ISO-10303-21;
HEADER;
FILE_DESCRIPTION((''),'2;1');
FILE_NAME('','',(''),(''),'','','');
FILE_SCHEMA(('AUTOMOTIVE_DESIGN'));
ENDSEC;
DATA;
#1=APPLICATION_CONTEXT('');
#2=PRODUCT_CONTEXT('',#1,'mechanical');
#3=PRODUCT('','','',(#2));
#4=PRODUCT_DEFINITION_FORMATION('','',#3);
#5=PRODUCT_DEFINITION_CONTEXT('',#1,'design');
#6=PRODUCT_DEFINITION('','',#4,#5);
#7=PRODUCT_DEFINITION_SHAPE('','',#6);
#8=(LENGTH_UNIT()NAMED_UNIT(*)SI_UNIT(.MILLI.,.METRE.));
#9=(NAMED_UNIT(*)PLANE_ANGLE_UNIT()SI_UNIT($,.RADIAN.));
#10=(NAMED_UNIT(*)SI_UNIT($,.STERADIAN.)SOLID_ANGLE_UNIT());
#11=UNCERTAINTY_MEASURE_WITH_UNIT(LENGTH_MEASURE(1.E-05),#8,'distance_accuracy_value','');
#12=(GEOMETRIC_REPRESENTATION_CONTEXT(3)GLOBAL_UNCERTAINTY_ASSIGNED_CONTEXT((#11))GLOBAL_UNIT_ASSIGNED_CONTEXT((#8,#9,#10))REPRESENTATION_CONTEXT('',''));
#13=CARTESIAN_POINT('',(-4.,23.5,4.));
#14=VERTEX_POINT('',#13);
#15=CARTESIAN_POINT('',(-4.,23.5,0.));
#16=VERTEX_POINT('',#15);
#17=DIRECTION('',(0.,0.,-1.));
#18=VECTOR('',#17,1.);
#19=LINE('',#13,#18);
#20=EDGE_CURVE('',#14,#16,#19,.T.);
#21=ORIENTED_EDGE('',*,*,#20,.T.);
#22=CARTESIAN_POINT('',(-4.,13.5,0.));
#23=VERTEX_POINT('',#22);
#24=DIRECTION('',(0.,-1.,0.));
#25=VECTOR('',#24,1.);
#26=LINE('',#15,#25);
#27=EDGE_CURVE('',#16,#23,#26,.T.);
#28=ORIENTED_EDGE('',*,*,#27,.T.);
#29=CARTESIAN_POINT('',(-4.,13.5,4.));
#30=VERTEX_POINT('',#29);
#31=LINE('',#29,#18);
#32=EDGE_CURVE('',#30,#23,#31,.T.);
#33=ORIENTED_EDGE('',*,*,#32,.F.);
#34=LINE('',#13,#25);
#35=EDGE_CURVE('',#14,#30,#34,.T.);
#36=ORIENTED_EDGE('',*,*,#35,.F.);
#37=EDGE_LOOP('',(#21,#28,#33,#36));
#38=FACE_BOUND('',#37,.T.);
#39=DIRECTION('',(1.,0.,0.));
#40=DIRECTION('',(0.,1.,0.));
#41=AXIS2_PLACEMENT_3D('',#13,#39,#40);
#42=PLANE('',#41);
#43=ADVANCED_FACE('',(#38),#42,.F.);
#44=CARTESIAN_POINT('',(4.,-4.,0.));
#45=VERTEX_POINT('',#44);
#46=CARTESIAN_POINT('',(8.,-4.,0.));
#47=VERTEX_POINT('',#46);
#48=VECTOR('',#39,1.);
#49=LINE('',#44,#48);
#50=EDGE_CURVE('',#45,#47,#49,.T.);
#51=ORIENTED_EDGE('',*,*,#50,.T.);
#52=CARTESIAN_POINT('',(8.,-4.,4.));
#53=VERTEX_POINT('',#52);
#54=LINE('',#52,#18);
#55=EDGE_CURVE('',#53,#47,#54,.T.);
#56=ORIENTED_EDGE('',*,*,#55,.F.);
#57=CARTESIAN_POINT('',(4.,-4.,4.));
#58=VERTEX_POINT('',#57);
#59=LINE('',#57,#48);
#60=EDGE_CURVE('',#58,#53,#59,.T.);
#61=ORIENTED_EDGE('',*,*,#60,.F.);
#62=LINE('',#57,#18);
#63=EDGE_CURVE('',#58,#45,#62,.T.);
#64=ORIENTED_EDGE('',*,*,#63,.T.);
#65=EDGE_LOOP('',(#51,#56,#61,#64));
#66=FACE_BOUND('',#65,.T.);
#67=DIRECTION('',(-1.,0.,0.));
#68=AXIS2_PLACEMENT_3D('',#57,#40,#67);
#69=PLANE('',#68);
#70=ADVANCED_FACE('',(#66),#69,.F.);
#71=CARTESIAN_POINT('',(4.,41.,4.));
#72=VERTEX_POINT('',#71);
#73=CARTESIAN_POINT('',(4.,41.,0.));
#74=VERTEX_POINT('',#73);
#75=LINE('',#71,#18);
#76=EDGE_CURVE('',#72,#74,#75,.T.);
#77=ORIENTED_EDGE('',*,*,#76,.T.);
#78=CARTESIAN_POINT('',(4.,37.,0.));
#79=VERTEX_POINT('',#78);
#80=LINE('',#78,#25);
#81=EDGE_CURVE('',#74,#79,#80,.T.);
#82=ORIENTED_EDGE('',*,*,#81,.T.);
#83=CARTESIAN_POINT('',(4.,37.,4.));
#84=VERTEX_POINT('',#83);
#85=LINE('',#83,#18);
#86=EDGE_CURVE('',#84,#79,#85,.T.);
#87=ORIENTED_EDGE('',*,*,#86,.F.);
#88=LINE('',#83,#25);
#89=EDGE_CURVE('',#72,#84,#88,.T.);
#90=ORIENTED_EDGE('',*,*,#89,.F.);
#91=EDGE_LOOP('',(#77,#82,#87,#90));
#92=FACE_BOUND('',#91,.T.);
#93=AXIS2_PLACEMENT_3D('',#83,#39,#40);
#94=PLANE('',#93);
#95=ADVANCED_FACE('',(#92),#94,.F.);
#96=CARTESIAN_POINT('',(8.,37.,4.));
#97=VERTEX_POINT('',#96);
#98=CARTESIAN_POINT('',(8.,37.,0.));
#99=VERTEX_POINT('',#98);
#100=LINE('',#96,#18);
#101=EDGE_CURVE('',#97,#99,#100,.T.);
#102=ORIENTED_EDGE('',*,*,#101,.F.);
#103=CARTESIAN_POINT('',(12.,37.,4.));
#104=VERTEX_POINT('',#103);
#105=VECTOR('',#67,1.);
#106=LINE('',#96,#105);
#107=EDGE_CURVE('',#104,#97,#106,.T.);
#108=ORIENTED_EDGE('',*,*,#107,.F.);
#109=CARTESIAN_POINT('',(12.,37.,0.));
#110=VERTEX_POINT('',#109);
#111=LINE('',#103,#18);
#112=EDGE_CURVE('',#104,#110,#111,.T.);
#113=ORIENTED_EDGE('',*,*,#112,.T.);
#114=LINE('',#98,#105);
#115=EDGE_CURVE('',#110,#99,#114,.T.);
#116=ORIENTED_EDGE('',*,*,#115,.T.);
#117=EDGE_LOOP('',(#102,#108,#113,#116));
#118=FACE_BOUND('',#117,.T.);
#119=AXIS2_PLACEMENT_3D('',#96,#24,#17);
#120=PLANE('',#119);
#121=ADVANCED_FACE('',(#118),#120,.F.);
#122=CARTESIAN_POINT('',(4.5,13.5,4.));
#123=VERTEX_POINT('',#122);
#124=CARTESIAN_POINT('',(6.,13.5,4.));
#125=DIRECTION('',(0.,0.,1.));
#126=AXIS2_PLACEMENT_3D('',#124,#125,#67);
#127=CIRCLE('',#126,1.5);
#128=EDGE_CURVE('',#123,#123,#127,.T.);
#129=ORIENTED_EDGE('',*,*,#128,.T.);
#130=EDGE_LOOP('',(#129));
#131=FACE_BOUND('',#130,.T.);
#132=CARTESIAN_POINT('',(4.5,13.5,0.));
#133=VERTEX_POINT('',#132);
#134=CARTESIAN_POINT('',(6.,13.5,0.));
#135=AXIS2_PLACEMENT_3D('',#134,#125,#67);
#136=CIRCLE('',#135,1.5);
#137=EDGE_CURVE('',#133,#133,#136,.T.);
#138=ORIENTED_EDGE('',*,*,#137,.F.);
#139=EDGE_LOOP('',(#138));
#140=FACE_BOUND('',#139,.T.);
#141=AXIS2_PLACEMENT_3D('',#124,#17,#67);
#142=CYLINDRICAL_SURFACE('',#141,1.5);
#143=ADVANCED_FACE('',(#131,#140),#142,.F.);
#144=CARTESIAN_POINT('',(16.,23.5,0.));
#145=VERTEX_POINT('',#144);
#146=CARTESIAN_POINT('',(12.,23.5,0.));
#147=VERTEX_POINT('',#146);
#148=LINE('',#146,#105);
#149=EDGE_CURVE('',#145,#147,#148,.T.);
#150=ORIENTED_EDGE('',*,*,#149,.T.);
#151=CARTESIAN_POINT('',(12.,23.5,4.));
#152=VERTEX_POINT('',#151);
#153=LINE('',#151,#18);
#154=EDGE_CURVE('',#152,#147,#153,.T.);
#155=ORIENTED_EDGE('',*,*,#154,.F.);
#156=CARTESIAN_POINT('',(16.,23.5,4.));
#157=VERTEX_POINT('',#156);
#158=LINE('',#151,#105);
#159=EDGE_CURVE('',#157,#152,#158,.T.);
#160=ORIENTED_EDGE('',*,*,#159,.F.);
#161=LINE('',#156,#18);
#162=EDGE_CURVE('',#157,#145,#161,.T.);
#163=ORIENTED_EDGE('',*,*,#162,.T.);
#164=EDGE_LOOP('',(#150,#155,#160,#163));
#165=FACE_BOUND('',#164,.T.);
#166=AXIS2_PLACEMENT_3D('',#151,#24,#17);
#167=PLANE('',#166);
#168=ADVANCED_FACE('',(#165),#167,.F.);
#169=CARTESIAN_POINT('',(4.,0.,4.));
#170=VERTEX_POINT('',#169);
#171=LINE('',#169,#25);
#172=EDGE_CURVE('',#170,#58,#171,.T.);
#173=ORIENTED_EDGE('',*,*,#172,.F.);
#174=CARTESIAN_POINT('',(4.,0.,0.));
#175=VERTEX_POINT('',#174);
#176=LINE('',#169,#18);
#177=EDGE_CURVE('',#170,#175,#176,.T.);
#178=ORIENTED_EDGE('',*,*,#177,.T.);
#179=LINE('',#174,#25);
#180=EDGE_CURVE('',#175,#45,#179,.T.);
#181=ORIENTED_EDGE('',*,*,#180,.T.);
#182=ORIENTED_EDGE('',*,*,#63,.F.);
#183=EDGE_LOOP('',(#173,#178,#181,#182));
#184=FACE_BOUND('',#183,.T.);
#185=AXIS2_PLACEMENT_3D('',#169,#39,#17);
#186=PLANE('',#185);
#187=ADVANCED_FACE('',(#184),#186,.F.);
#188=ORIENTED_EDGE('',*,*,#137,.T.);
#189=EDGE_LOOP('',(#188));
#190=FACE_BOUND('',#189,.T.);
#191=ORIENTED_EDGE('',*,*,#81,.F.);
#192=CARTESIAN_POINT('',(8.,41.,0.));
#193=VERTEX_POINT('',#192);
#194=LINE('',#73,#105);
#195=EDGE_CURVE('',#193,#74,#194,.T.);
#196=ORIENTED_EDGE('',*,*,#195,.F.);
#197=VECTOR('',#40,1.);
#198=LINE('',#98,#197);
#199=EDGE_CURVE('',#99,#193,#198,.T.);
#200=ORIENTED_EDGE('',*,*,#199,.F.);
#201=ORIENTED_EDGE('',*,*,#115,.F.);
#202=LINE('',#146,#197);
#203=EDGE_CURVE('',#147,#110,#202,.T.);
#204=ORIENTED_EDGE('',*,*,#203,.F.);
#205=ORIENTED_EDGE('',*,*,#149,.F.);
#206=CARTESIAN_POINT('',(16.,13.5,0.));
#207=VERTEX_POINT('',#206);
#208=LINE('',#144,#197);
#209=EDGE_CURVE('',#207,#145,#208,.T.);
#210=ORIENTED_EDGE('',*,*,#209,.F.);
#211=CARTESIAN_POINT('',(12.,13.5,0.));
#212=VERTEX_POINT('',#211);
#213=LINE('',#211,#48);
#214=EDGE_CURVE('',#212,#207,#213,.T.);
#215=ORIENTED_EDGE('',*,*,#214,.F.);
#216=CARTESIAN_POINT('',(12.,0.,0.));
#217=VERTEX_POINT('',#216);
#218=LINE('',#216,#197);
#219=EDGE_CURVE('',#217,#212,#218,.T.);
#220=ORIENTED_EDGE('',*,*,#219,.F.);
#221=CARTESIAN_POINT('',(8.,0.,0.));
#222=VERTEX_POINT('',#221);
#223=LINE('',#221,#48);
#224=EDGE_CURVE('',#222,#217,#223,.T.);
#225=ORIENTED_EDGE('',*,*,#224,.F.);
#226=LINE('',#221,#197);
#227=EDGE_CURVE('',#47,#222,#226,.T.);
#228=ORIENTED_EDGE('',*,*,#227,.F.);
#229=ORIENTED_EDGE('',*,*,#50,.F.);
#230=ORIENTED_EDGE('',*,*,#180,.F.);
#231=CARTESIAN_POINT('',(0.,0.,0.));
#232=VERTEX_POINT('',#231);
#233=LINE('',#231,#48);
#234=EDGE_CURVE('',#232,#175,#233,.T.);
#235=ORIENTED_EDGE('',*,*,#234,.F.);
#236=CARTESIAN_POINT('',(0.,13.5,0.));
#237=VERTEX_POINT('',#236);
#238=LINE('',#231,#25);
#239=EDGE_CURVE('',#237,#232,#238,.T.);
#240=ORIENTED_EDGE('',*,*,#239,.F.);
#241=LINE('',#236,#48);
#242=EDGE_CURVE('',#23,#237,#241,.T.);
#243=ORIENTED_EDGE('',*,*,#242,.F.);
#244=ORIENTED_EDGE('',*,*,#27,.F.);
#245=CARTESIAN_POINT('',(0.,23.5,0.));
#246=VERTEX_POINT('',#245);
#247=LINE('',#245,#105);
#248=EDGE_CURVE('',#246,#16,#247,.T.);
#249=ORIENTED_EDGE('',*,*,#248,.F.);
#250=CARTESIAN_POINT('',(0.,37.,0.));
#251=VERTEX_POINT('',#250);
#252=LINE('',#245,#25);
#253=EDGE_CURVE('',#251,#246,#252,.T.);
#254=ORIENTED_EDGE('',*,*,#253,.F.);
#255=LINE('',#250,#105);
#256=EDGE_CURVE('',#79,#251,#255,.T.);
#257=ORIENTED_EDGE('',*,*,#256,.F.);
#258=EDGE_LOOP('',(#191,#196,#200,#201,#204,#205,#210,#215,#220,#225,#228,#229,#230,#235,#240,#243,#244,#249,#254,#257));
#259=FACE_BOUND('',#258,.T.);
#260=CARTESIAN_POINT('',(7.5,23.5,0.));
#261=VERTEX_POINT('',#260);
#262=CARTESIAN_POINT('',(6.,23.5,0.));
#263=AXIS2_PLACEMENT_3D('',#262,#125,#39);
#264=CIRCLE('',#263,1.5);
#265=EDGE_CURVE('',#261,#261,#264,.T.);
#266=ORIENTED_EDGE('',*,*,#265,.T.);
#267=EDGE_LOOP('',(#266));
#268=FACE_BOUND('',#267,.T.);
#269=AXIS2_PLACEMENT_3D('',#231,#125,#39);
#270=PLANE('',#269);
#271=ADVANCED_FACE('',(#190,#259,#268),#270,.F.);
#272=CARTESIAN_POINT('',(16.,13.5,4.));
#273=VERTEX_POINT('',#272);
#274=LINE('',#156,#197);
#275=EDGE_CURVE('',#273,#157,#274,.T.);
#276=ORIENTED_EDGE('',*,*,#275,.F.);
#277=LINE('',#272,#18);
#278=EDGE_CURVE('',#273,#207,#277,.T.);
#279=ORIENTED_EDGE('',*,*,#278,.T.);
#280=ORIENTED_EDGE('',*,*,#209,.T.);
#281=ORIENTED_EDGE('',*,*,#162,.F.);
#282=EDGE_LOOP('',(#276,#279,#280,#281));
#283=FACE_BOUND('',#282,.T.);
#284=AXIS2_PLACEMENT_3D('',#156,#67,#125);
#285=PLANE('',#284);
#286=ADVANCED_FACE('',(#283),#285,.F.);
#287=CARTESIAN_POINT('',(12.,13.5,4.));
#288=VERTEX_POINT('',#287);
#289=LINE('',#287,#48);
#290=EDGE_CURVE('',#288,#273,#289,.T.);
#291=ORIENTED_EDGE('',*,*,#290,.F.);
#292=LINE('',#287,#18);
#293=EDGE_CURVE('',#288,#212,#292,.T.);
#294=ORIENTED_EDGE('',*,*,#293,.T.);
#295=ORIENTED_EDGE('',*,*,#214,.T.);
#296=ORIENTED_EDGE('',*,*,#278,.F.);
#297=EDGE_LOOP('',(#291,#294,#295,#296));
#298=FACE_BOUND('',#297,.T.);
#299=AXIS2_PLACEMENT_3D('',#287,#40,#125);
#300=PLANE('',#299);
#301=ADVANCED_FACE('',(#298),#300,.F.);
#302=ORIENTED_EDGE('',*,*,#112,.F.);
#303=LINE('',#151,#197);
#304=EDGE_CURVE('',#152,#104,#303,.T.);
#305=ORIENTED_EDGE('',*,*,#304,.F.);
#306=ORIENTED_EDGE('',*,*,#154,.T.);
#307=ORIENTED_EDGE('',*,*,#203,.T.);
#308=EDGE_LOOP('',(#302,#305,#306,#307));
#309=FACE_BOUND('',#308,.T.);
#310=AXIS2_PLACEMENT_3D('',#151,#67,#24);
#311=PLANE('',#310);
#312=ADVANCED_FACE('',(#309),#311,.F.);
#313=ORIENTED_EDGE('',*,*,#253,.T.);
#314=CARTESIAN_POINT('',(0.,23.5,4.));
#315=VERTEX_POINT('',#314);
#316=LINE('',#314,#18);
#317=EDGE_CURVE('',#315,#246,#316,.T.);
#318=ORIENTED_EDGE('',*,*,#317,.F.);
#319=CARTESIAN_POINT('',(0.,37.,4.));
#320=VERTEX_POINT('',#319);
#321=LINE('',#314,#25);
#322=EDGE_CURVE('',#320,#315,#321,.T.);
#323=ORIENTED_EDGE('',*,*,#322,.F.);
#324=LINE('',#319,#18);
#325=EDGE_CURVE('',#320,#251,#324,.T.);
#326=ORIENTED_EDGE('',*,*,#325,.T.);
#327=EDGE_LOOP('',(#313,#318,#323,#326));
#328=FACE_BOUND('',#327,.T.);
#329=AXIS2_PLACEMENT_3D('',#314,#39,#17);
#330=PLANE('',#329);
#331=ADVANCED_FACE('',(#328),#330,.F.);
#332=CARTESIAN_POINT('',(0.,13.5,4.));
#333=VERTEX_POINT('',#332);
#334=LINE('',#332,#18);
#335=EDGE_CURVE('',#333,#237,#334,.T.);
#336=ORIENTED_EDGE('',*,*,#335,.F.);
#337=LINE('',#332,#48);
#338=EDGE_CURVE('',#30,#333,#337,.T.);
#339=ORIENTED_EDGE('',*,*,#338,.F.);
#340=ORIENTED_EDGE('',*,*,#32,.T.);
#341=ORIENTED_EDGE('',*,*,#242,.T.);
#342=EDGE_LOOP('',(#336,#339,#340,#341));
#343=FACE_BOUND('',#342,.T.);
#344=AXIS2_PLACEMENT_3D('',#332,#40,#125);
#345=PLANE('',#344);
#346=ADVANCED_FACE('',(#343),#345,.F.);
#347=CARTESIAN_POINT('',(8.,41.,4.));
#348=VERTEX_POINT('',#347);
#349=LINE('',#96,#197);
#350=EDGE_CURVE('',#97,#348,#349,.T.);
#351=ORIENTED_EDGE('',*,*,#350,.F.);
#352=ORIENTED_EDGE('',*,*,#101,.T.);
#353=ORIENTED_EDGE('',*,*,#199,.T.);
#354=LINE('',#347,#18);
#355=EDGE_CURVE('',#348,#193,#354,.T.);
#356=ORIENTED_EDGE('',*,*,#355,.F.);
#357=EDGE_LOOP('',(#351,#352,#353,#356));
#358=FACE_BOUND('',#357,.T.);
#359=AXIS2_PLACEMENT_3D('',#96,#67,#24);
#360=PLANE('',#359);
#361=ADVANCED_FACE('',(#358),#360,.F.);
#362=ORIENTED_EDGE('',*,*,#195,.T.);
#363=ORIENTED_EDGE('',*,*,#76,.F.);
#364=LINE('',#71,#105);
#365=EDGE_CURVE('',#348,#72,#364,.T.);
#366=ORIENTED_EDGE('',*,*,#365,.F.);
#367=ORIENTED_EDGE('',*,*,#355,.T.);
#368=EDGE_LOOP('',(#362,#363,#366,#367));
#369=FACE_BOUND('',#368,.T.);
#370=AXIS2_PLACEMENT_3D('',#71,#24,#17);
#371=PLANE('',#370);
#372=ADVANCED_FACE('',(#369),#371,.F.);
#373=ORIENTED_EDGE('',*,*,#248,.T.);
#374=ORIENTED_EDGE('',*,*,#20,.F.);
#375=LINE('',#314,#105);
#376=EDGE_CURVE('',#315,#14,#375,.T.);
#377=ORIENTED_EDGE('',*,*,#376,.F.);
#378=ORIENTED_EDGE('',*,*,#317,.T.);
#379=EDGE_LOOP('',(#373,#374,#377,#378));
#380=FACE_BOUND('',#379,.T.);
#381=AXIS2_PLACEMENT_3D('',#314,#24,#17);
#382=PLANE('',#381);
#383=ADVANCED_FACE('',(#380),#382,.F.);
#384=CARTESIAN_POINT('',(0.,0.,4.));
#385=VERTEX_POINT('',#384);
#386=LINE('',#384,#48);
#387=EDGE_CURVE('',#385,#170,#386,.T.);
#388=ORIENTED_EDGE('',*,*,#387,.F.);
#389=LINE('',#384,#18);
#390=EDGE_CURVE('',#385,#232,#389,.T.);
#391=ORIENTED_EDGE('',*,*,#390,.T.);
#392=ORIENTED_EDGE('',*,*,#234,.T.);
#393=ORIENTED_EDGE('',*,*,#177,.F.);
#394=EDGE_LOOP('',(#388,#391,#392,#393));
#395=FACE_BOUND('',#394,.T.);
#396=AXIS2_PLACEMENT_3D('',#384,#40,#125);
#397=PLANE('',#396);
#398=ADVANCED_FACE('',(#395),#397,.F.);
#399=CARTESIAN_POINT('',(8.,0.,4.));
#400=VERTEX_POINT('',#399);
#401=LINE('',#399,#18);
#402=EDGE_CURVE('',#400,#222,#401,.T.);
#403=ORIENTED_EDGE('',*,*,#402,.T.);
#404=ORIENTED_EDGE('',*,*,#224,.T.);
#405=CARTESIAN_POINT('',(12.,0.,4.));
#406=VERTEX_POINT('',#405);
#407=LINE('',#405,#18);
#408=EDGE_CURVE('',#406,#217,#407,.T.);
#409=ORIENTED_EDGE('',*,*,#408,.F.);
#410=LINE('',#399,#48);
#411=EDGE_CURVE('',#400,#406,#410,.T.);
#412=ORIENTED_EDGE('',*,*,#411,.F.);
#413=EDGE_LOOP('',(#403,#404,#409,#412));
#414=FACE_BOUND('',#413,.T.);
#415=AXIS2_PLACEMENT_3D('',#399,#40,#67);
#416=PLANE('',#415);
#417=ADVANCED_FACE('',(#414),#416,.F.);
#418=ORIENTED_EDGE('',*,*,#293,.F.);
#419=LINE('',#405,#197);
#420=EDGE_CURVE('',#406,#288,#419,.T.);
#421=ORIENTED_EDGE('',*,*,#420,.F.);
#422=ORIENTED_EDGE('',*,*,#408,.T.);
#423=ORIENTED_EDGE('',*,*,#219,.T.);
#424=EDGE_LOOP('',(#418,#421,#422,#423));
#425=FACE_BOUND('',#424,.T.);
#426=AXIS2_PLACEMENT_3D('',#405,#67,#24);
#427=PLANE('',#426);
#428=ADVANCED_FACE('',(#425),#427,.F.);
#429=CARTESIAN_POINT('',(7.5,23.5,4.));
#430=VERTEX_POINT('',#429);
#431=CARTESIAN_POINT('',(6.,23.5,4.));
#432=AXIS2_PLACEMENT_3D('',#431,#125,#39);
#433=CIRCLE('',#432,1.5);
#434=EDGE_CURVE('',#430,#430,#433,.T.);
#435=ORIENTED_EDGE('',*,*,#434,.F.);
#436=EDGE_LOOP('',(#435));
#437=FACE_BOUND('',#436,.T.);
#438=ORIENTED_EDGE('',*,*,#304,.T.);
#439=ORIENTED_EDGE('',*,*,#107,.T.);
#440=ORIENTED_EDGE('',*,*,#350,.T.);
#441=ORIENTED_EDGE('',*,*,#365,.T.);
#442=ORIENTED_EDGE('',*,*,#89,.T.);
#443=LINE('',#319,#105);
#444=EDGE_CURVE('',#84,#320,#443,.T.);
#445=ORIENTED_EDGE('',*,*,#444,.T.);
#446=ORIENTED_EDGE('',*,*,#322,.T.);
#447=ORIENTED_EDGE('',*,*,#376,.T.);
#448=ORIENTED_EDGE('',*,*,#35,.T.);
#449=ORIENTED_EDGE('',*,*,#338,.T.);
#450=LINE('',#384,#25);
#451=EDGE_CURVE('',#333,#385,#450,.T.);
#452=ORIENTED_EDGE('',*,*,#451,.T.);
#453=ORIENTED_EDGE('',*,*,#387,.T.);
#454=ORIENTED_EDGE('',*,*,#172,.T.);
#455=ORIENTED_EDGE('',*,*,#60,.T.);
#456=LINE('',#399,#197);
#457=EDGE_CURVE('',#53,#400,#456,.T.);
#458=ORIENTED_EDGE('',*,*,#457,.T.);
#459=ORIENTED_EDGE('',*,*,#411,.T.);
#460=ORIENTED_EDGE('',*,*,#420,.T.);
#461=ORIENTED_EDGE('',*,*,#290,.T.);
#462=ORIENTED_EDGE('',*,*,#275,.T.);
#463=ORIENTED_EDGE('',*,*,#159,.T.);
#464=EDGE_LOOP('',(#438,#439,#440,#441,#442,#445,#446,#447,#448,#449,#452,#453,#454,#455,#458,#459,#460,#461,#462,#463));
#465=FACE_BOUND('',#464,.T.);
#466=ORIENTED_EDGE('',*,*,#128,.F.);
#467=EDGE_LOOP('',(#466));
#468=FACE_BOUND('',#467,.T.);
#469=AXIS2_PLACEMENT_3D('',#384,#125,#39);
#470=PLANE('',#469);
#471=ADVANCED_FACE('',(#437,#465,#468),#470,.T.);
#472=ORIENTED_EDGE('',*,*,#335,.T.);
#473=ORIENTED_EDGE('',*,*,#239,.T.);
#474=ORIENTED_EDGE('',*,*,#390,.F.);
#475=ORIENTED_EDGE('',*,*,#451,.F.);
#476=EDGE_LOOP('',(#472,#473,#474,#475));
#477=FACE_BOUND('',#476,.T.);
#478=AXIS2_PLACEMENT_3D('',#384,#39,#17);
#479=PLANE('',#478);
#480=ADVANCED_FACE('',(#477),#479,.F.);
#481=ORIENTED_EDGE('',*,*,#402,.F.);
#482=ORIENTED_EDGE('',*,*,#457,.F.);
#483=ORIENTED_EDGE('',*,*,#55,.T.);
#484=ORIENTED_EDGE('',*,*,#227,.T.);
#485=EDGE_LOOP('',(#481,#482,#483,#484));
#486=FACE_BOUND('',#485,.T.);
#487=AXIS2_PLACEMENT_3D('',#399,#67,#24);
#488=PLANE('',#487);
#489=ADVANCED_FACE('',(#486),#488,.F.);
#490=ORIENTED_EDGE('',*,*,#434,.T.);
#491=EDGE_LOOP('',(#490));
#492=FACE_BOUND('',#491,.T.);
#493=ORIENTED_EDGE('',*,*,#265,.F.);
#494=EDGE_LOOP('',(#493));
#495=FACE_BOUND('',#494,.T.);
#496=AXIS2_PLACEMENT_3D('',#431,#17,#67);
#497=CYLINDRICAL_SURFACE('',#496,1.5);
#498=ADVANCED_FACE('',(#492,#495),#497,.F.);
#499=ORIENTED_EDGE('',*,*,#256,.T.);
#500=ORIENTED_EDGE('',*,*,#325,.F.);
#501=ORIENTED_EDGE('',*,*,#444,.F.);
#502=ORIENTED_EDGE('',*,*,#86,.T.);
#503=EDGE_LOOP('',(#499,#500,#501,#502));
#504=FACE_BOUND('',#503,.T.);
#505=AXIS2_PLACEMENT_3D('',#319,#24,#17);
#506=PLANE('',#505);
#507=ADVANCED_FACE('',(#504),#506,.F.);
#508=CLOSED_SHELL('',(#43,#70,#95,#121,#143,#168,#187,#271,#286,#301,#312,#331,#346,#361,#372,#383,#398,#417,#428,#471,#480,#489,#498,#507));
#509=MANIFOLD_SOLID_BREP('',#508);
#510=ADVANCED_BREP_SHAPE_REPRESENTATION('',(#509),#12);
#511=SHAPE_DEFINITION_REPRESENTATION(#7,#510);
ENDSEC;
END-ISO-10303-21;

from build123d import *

# Parameters (mm, degrees)
SKETCH_1_R      = 1.5
EXTRUDE_1_DEPTH = 4


with BuildPart() as part:
    # Эскиз1 → Бобышка-Вытянуть1 (new body)
    with BuildSketch(Plane.XY):
        Polygon((0, 0), (4, 0), (4, -4), (8, -4), (8, 0), (12, 0), (12, 13.5), (16, 13.5), (16, 23.5), (12, 23.5), (12, 37), (8, 37), (8, 41), (4, 41), (4, 37), (0, 37), (0, 23.5), (-4, 23.5), (-4, 13.5), (0, 13.5), align=None)
        with Locations((6, 23.5)):
            Circle(SKETCH_1_R, mode=Mode.SUBTRACT)
        with Locations(Location((6, 13.5, 0), (0, 0, 180))):
            Circle(SKETCH_1_R, mode=Mode.SUBTRACT)
    extrude(amount=EXTRUDE_1_DEPTH)


solid = part.part
